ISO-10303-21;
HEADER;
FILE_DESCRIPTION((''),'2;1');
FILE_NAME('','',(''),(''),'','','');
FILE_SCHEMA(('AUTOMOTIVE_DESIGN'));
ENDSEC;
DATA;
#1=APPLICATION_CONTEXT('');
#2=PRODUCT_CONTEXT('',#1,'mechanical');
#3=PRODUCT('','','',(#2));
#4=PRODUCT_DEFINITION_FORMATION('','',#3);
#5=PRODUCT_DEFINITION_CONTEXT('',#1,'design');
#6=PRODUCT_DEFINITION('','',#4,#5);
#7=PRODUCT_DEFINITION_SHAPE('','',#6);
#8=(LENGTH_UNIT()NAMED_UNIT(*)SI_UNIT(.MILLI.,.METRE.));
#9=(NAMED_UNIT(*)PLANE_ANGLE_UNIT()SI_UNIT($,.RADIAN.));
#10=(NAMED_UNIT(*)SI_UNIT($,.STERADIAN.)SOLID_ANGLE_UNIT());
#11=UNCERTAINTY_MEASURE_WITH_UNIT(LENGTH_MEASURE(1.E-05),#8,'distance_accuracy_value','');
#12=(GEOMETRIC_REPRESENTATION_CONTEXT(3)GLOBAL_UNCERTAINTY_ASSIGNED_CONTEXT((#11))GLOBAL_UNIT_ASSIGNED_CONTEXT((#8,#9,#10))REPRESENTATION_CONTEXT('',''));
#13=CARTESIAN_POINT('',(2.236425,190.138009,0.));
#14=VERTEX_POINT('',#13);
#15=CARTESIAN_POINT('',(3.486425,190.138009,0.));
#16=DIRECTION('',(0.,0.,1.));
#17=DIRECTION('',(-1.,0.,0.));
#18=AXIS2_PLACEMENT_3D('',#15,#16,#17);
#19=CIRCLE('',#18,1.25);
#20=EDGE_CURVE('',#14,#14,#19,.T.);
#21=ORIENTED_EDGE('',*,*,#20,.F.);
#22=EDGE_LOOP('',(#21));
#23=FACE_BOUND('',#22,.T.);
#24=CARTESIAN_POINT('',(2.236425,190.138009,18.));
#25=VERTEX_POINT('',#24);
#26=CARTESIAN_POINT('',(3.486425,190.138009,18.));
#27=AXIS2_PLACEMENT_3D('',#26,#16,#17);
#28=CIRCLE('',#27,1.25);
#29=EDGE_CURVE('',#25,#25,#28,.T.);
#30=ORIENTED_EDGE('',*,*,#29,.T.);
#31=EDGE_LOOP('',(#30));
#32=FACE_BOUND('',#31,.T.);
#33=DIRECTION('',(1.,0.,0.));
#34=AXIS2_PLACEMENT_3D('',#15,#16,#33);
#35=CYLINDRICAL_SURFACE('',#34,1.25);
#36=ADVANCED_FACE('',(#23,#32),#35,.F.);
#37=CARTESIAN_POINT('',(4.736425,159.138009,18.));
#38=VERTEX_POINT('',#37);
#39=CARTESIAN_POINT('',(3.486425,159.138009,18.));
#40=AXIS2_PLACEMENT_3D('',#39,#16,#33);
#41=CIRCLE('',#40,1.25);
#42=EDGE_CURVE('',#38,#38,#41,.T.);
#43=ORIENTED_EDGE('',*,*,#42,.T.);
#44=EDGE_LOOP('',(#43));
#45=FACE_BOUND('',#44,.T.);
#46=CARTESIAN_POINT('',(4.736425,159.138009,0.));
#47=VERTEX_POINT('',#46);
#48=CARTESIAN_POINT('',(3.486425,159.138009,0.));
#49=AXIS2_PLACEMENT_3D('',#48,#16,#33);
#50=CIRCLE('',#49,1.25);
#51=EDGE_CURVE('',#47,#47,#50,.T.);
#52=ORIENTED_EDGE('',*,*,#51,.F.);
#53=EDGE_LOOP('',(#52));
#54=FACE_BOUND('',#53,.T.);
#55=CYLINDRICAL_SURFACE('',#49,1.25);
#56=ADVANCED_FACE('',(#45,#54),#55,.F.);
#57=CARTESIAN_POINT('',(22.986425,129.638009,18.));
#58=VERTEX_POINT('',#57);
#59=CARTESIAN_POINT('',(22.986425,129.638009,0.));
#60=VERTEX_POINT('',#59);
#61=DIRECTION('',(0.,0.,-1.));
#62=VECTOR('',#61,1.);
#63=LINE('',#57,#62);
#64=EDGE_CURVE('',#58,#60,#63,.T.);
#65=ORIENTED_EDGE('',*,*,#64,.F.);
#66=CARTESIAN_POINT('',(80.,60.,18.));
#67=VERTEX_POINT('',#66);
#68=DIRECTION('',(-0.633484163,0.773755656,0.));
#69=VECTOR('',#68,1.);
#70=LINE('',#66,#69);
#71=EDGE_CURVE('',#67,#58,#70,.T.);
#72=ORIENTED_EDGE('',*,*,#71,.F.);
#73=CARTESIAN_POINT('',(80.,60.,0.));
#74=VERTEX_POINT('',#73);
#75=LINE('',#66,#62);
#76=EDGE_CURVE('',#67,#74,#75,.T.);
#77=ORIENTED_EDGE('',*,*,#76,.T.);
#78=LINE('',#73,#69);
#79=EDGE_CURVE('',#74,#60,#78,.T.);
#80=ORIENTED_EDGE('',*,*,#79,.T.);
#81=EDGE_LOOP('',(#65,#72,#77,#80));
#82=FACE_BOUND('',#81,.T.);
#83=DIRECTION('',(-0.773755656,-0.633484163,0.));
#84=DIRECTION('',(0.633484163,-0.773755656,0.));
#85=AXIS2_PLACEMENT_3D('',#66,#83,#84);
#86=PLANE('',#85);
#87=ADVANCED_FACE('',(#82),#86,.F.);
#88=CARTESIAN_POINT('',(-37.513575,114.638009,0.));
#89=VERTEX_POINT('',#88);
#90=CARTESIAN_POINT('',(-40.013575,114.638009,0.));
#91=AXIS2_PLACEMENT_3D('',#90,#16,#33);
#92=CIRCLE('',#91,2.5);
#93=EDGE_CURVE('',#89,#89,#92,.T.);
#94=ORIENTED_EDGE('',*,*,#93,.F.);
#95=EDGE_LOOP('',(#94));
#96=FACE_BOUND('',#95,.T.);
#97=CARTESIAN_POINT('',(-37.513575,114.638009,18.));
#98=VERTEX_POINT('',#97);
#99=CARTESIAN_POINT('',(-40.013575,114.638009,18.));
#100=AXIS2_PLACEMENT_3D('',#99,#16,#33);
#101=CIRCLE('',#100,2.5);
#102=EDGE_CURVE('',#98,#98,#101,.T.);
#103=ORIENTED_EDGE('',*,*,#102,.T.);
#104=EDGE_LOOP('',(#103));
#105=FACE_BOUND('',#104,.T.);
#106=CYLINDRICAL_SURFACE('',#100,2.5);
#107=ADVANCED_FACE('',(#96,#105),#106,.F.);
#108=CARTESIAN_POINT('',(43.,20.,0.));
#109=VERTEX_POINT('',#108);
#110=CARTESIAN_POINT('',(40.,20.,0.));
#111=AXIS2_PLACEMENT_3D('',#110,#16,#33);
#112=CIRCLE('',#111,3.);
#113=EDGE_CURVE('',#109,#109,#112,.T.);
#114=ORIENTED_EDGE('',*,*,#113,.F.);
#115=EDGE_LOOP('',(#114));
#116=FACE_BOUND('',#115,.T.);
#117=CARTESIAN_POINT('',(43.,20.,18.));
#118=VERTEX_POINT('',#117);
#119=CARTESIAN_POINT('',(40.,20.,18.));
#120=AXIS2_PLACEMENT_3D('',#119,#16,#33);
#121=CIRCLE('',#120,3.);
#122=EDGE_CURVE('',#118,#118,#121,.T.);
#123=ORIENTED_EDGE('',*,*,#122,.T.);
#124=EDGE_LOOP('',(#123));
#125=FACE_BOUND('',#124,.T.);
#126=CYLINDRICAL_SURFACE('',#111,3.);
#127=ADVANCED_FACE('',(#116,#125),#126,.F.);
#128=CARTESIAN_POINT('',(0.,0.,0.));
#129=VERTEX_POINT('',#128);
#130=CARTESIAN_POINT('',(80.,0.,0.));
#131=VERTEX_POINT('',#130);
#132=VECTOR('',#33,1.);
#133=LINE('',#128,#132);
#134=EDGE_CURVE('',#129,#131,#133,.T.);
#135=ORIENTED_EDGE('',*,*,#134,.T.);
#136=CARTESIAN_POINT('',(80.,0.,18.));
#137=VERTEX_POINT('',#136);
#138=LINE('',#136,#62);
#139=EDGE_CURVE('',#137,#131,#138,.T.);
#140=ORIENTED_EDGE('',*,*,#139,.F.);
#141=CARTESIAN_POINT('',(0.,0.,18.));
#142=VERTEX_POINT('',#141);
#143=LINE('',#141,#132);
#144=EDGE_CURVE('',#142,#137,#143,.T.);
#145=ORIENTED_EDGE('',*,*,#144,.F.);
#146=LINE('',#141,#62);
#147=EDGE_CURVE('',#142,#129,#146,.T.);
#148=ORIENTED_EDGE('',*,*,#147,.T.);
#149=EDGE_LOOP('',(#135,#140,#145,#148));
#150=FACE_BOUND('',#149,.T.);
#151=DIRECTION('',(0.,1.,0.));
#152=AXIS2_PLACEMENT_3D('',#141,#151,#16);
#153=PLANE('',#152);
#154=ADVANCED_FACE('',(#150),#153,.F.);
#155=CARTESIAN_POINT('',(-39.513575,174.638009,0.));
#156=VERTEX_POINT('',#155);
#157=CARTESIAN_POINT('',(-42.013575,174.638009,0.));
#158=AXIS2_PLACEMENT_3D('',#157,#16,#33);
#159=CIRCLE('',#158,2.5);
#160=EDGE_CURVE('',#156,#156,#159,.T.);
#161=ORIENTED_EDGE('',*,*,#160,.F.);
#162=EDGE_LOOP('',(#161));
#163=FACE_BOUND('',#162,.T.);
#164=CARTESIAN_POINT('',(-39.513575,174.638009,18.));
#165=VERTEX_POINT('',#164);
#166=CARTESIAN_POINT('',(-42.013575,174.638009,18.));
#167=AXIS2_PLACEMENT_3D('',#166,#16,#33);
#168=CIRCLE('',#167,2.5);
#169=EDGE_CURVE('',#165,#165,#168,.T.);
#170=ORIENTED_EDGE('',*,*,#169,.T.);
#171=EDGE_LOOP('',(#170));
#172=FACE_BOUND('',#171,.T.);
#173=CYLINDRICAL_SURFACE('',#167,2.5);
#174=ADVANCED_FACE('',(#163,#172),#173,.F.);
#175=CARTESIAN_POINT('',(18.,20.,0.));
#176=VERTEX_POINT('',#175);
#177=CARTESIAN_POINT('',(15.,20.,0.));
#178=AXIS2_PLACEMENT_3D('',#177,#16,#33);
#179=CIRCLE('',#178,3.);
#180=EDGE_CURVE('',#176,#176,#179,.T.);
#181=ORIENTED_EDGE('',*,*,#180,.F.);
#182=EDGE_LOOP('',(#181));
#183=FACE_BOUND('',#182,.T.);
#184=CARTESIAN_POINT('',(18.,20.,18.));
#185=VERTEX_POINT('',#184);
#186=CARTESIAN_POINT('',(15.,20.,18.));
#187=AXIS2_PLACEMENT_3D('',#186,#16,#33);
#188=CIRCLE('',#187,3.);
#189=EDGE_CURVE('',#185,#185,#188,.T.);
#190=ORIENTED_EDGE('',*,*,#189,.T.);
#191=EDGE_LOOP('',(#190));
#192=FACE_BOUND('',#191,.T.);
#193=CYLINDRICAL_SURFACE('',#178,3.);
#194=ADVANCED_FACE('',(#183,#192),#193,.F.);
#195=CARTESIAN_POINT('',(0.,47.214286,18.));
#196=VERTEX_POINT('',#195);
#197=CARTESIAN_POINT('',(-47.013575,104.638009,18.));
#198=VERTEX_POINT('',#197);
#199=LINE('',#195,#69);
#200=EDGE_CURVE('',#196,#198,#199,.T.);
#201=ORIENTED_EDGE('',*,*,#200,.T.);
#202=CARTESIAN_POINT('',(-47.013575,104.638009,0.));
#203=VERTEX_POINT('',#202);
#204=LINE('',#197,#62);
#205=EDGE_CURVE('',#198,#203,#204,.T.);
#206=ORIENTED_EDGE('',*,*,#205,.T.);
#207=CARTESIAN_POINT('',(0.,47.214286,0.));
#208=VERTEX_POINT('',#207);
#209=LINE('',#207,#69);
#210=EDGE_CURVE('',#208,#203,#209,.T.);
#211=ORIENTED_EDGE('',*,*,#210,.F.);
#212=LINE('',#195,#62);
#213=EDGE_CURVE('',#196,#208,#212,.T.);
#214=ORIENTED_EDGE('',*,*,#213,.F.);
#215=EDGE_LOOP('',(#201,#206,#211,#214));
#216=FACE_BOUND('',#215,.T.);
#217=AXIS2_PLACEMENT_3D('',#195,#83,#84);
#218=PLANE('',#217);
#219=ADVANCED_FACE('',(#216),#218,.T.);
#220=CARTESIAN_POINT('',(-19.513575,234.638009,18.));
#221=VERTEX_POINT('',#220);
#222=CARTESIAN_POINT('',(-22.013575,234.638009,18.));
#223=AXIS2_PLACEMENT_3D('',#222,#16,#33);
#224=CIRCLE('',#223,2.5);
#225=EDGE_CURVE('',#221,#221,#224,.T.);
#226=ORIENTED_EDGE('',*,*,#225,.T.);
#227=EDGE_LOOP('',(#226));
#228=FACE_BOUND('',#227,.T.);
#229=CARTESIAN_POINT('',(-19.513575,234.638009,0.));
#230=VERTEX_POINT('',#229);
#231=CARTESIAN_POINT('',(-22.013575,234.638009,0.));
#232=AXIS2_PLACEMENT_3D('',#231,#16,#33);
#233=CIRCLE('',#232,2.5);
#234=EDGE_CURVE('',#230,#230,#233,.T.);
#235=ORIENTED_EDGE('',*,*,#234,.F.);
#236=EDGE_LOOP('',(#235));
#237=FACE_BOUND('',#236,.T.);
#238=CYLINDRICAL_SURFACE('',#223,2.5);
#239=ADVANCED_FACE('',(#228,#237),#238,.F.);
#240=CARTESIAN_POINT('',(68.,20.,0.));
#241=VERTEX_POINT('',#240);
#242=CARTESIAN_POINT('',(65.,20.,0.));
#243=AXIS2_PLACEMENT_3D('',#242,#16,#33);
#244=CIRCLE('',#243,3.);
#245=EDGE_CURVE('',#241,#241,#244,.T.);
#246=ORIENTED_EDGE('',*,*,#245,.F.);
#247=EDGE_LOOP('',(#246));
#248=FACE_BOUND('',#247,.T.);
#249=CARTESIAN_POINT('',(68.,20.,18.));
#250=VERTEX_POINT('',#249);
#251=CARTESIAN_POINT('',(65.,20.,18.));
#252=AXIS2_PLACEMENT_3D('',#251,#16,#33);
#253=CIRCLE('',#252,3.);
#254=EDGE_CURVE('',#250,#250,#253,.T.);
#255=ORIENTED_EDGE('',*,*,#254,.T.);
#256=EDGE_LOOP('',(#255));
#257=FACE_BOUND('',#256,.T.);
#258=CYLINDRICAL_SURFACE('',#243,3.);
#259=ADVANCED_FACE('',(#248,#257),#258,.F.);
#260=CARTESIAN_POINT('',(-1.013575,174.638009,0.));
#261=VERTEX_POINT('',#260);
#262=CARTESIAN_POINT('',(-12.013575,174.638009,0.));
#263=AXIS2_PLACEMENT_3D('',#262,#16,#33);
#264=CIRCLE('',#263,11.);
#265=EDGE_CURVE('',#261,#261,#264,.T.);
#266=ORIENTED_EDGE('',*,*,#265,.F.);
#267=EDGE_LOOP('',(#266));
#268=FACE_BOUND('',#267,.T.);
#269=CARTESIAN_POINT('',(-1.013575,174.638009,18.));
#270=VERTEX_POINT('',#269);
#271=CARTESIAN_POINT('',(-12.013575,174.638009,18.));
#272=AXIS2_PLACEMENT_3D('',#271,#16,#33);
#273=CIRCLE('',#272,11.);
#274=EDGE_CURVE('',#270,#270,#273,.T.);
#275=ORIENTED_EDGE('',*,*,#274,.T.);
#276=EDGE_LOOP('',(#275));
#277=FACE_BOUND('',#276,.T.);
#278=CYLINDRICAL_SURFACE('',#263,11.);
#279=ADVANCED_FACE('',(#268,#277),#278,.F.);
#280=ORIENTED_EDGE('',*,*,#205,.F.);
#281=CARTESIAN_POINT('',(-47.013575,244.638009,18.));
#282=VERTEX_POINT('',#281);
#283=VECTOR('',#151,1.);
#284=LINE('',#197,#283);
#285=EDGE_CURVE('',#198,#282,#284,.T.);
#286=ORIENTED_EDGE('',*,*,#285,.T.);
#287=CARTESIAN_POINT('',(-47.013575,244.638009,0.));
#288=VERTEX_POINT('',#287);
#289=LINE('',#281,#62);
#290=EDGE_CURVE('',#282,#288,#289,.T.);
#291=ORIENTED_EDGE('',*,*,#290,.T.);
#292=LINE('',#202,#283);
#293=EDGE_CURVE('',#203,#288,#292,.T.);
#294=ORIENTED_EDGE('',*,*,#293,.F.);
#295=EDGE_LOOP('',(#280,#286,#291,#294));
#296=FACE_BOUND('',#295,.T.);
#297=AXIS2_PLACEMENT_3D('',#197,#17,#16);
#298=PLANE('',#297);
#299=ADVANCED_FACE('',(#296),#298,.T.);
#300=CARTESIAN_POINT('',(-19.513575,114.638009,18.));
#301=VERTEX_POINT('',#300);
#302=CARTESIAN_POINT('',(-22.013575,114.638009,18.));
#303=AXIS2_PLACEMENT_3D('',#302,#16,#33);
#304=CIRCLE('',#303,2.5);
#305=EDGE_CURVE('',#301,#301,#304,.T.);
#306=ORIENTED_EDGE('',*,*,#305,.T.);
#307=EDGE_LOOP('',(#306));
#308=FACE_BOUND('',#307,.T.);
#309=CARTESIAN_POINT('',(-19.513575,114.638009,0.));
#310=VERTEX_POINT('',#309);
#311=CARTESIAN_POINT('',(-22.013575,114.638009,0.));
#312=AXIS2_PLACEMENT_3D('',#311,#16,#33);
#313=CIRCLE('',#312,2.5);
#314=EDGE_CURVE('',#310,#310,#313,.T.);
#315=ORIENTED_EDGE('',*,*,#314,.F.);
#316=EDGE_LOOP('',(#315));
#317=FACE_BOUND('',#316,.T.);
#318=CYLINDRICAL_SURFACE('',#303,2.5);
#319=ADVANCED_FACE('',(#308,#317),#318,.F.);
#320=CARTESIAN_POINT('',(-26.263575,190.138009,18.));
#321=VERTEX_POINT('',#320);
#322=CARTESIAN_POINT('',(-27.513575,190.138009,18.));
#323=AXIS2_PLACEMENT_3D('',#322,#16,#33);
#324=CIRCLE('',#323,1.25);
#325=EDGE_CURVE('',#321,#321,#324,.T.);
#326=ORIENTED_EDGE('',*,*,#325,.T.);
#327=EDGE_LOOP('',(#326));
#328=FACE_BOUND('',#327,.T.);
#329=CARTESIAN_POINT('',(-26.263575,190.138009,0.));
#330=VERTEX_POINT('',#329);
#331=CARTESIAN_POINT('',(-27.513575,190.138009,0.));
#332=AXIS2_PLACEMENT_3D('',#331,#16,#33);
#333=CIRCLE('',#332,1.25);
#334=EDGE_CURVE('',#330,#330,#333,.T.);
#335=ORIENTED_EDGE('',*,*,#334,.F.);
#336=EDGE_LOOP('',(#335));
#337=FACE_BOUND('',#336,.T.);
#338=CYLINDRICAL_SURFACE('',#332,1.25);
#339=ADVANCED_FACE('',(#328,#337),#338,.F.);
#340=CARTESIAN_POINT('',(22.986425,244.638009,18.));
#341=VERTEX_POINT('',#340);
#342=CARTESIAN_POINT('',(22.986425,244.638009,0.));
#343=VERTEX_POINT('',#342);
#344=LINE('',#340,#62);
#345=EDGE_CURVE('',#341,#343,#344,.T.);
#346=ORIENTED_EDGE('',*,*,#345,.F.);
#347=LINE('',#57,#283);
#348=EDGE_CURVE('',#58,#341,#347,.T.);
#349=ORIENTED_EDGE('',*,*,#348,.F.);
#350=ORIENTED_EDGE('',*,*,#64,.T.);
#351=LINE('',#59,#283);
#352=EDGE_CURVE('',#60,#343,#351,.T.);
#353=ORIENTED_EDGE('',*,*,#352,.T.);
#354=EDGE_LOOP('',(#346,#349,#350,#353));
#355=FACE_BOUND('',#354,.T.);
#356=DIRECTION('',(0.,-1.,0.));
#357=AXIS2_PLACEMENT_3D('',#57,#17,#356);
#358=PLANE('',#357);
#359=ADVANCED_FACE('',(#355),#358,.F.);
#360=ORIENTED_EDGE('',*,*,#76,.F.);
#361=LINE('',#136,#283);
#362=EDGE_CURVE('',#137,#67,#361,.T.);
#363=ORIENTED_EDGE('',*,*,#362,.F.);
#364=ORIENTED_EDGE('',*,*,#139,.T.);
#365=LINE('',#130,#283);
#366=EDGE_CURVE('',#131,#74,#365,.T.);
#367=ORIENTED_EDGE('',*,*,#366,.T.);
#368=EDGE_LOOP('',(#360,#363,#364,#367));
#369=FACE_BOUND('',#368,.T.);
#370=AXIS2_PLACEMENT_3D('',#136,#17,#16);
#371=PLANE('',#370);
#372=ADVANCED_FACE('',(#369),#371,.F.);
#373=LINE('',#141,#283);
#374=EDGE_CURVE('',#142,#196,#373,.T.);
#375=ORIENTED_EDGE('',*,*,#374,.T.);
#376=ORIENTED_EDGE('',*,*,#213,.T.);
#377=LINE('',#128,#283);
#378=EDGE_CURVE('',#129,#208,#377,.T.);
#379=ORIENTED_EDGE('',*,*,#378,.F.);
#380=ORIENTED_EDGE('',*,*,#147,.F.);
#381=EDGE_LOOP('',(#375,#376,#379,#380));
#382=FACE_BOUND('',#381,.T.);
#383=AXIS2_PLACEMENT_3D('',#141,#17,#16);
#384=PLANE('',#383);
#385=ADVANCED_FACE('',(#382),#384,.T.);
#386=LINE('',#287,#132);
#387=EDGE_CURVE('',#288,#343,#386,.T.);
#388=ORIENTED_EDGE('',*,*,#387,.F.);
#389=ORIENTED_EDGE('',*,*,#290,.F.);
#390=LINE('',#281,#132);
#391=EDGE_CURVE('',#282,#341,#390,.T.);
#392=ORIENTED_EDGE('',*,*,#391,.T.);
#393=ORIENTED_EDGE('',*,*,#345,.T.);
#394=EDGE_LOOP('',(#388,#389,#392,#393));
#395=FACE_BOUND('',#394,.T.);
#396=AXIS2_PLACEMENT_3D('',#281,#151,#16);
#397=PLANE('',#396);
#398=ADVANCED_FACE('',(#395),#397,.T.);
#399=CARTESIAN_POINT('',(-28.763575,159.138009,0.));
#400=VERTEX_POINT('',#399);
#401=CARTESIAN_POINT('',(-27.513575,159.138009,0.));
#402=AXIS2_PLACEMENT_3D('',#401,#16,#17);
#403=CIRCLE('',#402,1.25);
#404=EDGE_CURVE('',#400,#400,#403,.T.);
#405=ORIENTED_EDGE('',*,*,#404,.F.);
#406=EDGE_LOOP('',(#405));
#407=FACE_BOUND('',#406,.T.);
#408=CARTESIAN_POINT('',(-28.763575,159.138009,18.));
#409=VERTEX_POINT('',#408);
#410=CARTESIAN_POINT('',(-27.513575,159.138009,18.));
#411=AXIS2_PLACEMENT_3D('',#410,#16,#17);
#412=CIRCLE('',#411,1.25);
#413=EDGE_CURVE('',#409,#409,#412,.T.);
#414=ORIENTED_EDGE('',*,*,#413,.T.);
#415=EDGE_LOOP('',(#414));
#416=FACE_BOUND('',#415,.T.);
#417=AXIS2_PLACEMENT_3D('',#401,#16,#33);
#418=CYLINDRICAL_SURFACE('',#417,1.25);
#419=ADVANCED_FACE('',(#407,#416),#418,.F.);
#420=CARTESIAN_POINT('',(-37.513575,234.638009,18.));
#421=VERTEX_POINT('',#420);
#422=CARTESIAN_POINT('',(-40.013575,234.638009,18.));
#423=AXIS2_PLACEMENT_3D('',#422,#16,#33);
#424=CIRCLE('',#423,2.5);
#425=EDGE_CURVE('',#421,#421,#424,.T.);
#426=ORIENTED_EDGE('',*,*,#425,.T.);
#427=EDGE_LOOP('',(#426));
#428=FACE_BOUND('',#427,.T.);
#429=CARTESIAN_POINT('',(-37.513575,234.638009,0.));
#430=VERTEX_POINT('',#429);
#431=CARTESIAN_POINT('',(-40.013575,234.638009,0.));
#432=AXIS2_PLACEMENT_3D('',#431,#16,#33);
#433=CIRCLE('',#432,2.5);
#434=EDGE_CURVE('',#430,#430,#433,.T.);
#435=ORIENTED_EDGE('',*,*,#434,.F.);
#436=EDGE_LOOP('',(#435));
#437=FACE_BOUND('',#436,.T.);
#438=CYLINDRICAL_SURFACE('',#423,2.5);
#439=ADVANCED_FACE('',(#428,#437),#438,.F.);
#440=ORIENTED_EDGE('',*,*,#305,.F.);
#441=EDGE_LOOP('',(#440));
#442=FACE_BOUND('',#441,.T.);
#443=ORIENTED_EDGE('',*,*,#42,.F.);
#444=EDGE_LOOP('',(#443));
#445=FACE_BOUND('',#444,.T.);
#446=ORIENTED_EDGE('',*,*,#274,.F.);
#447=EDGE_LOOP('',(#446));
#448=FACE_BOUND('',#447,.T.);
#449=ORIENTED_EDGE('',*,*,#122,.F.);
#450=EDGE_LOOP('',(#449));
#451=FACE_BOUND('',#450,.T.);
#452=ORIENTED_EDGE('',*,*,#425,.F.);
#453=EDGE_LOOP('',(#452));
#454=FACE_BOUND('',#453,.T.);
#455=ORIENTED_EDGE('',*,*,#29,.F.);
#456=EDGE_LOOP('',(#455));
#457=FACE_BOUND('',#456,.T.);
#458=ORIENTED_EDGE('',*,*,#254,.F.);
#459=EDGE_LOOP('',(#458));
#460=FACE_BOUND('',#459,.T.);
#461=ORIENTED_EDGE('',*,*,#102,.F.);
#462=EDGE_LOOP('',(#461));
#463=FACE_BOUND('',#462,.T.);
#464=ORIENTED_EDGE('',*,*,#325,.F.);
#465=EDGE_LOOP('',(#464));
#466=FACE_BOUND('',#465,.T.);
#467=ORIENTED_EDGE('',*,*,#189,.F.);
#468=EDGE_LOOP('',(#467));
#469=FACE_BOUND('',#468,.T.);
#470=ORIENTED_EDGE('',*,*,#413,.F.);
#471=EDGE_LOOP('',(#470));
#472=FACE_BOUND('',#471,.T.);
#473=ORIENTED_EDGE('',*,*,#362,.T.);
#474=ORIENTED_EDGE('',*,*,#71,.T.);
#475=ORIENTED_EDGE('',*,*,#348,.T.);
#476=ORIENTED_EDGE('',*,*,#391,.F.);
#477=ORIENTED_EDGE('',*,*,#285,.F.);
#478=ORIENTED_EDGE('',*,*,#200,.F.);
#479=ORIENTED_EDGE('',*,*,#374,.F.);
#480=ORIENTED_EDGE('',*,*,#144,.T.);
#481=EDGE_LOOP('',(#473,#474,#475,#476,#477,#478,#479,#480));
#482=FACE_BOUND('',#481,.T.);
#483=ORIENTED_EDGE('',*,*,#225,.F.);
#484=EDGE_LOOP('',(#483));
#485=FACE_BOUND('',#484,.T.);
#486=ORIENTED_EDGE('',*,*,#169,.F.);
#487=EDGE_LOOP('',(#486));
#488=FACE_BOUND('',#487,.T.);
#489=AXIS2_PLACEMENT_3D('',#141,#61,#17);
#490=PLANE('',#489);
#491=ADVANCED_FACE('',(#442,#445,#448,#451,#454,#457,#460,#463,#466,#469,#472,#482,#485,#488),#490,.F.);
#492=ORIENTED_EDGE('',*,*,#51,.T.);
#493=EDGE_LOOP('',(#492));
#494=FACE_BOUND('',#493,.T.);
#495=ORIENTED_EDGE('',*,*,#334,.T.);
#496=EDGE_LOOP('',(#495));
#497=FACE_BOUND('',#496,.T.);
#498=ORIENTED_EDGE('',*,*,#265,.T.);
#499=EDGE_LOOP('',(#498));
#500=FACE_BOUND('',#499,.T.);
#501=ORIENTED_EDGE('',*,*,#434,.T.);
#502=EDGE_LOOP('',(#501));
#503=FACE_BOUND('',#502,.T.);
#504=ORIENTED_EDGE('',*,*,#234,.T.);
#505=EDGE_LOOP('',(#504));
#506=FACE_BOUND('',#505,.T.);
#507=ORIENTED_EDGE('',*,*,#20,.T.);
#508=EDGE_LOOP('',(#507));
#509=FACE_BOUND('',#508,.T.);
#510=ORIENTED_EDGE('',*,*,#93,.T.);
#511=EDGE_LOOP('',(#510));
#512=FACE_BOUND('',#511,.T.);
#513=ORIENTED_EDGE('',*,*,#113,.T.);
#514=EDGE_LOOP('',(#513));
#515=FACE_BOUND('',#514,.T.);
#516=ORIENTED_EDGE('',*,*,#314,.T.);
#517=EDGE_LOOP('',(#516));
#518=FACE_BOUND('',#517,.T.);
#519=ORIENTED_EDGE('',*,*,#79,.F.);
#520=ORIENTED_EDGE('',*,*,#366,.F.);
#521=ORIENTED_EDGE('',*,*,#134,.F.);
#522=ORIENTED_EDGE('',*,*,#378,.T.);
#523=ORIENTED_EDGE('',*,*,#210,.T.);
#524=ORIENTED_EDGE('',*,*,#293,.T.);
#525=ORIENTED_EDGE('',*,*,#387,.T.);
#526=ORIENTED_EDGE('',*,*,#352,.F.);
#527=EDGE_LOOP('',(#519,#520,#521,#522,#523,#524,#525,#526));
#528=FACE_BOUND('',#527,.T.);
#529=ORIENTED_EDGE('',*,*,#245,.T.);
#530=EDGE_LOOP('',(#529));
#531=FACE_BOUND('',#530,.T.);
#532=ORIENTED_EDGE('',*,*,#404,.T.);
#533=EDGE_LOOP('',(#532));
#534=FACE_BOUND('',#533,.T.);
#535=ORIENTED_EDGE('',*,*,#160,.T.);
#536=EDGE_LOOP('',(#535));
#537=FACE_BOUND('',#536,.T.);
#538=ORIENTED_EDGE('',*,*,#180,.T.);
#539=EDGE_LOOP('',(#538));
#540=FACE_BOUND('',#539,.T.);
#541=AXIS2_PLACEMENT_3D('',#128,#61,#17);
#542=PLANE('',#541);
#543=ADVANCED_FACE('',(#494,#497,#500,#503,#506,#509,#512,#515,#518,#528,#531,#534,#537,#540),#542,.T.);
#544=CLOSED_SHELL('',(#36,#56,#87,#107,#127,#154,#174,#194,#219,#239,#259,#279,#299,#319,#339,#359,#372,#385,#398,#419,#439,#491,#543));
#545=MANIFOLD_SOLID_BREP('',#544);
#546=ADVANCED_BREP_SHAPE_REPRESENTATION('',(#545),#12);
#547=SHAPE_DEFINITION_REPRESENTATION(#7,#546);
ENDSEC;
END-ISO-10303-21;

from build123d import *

# Parameters (mm, degrees)
EXTRUDE_1_DEPTH     = 18
HOLE_WIZARD_M6_1_D  = 5
SKETCH_6_R          = 3
CUT_EXTRUDE_1_DEPTH = 259.015029546
SKETCH_7_R          = 11
SKETCH_7_R_2        = 1.25
CUT_EXTRUDE_2_DEPTH = 259.015029546


with BuildPart() as part:
    # 草图1 → 凸台-拉伸1 (new body)
    with BuildSketch(Plane.XY):
        Polygon((0, 0), (80, 0), (80, 60), (22.986425339, 129.63800905), (22.986425339, 244.63800905), (-47.013574661, 244.63800905), (-47.013574661, 104.63800905), (0, 47.214285714), align=None)
    extrude(amount=EXTRUDE_1_DEPTH)

    # M6 螺纹孔1 (through all)
    with Locations(Plane.XY.offset(18)):
        with Locations((-40.013574661, 114.63800905), (-22.013574661, 114.63800905), (-40.013574661, 234.63800905), (-22.013574661, 234.63800905), (-42.013574661, 174.63800905)):
            Hole(HOLE_WIZARD_M6_1_D / 2)

    # 草图6 → 切除-拉伸1 (cut, through all)
    with BuildSketch(Plane.XY.offset(18)):
        with Locations((15, 20)):
            Circle(SKETCH_6_R)
        with Locations((65, 20)):
            Circle(SKETCH_6_R)
        with Locations((40, 20)):
            Circle(SKETCH_6_R)
    extrude(amount=-CUT_EXTRUDE_1_DEPTH, mode=Mode.SUBTRACT)

    # 草图7 → 切除-拉伸2 (cut, through all)
    with BuildSketch(Plane.XY.offset(18)):
        with Locations((-12.013574661, 174.63800905)):
            Circle(SKETCH_7_R)
        with Locations((-27.513574661, 190.13800905)):
            Circle(SKETCH_7_R_2)
        with Locations(Location((3.486425339, 190.13800905, 0), (0, 0, 180))):
            Circle(SKETCH_7_R_2)
        with Locations((3.486425339, 159.13800905)):
            Circle(SKETCH_7_R_2)
        with Locations(Location((-27.513574661, 159.13800905, 0), (0, 0, 180))):
            Circle(SKETCH_7_R_2)
    extrude(amount=-CUT_EXTRUDE_2_DEPTH, mode=Mode.SUBTRACT)


solid = part.part
